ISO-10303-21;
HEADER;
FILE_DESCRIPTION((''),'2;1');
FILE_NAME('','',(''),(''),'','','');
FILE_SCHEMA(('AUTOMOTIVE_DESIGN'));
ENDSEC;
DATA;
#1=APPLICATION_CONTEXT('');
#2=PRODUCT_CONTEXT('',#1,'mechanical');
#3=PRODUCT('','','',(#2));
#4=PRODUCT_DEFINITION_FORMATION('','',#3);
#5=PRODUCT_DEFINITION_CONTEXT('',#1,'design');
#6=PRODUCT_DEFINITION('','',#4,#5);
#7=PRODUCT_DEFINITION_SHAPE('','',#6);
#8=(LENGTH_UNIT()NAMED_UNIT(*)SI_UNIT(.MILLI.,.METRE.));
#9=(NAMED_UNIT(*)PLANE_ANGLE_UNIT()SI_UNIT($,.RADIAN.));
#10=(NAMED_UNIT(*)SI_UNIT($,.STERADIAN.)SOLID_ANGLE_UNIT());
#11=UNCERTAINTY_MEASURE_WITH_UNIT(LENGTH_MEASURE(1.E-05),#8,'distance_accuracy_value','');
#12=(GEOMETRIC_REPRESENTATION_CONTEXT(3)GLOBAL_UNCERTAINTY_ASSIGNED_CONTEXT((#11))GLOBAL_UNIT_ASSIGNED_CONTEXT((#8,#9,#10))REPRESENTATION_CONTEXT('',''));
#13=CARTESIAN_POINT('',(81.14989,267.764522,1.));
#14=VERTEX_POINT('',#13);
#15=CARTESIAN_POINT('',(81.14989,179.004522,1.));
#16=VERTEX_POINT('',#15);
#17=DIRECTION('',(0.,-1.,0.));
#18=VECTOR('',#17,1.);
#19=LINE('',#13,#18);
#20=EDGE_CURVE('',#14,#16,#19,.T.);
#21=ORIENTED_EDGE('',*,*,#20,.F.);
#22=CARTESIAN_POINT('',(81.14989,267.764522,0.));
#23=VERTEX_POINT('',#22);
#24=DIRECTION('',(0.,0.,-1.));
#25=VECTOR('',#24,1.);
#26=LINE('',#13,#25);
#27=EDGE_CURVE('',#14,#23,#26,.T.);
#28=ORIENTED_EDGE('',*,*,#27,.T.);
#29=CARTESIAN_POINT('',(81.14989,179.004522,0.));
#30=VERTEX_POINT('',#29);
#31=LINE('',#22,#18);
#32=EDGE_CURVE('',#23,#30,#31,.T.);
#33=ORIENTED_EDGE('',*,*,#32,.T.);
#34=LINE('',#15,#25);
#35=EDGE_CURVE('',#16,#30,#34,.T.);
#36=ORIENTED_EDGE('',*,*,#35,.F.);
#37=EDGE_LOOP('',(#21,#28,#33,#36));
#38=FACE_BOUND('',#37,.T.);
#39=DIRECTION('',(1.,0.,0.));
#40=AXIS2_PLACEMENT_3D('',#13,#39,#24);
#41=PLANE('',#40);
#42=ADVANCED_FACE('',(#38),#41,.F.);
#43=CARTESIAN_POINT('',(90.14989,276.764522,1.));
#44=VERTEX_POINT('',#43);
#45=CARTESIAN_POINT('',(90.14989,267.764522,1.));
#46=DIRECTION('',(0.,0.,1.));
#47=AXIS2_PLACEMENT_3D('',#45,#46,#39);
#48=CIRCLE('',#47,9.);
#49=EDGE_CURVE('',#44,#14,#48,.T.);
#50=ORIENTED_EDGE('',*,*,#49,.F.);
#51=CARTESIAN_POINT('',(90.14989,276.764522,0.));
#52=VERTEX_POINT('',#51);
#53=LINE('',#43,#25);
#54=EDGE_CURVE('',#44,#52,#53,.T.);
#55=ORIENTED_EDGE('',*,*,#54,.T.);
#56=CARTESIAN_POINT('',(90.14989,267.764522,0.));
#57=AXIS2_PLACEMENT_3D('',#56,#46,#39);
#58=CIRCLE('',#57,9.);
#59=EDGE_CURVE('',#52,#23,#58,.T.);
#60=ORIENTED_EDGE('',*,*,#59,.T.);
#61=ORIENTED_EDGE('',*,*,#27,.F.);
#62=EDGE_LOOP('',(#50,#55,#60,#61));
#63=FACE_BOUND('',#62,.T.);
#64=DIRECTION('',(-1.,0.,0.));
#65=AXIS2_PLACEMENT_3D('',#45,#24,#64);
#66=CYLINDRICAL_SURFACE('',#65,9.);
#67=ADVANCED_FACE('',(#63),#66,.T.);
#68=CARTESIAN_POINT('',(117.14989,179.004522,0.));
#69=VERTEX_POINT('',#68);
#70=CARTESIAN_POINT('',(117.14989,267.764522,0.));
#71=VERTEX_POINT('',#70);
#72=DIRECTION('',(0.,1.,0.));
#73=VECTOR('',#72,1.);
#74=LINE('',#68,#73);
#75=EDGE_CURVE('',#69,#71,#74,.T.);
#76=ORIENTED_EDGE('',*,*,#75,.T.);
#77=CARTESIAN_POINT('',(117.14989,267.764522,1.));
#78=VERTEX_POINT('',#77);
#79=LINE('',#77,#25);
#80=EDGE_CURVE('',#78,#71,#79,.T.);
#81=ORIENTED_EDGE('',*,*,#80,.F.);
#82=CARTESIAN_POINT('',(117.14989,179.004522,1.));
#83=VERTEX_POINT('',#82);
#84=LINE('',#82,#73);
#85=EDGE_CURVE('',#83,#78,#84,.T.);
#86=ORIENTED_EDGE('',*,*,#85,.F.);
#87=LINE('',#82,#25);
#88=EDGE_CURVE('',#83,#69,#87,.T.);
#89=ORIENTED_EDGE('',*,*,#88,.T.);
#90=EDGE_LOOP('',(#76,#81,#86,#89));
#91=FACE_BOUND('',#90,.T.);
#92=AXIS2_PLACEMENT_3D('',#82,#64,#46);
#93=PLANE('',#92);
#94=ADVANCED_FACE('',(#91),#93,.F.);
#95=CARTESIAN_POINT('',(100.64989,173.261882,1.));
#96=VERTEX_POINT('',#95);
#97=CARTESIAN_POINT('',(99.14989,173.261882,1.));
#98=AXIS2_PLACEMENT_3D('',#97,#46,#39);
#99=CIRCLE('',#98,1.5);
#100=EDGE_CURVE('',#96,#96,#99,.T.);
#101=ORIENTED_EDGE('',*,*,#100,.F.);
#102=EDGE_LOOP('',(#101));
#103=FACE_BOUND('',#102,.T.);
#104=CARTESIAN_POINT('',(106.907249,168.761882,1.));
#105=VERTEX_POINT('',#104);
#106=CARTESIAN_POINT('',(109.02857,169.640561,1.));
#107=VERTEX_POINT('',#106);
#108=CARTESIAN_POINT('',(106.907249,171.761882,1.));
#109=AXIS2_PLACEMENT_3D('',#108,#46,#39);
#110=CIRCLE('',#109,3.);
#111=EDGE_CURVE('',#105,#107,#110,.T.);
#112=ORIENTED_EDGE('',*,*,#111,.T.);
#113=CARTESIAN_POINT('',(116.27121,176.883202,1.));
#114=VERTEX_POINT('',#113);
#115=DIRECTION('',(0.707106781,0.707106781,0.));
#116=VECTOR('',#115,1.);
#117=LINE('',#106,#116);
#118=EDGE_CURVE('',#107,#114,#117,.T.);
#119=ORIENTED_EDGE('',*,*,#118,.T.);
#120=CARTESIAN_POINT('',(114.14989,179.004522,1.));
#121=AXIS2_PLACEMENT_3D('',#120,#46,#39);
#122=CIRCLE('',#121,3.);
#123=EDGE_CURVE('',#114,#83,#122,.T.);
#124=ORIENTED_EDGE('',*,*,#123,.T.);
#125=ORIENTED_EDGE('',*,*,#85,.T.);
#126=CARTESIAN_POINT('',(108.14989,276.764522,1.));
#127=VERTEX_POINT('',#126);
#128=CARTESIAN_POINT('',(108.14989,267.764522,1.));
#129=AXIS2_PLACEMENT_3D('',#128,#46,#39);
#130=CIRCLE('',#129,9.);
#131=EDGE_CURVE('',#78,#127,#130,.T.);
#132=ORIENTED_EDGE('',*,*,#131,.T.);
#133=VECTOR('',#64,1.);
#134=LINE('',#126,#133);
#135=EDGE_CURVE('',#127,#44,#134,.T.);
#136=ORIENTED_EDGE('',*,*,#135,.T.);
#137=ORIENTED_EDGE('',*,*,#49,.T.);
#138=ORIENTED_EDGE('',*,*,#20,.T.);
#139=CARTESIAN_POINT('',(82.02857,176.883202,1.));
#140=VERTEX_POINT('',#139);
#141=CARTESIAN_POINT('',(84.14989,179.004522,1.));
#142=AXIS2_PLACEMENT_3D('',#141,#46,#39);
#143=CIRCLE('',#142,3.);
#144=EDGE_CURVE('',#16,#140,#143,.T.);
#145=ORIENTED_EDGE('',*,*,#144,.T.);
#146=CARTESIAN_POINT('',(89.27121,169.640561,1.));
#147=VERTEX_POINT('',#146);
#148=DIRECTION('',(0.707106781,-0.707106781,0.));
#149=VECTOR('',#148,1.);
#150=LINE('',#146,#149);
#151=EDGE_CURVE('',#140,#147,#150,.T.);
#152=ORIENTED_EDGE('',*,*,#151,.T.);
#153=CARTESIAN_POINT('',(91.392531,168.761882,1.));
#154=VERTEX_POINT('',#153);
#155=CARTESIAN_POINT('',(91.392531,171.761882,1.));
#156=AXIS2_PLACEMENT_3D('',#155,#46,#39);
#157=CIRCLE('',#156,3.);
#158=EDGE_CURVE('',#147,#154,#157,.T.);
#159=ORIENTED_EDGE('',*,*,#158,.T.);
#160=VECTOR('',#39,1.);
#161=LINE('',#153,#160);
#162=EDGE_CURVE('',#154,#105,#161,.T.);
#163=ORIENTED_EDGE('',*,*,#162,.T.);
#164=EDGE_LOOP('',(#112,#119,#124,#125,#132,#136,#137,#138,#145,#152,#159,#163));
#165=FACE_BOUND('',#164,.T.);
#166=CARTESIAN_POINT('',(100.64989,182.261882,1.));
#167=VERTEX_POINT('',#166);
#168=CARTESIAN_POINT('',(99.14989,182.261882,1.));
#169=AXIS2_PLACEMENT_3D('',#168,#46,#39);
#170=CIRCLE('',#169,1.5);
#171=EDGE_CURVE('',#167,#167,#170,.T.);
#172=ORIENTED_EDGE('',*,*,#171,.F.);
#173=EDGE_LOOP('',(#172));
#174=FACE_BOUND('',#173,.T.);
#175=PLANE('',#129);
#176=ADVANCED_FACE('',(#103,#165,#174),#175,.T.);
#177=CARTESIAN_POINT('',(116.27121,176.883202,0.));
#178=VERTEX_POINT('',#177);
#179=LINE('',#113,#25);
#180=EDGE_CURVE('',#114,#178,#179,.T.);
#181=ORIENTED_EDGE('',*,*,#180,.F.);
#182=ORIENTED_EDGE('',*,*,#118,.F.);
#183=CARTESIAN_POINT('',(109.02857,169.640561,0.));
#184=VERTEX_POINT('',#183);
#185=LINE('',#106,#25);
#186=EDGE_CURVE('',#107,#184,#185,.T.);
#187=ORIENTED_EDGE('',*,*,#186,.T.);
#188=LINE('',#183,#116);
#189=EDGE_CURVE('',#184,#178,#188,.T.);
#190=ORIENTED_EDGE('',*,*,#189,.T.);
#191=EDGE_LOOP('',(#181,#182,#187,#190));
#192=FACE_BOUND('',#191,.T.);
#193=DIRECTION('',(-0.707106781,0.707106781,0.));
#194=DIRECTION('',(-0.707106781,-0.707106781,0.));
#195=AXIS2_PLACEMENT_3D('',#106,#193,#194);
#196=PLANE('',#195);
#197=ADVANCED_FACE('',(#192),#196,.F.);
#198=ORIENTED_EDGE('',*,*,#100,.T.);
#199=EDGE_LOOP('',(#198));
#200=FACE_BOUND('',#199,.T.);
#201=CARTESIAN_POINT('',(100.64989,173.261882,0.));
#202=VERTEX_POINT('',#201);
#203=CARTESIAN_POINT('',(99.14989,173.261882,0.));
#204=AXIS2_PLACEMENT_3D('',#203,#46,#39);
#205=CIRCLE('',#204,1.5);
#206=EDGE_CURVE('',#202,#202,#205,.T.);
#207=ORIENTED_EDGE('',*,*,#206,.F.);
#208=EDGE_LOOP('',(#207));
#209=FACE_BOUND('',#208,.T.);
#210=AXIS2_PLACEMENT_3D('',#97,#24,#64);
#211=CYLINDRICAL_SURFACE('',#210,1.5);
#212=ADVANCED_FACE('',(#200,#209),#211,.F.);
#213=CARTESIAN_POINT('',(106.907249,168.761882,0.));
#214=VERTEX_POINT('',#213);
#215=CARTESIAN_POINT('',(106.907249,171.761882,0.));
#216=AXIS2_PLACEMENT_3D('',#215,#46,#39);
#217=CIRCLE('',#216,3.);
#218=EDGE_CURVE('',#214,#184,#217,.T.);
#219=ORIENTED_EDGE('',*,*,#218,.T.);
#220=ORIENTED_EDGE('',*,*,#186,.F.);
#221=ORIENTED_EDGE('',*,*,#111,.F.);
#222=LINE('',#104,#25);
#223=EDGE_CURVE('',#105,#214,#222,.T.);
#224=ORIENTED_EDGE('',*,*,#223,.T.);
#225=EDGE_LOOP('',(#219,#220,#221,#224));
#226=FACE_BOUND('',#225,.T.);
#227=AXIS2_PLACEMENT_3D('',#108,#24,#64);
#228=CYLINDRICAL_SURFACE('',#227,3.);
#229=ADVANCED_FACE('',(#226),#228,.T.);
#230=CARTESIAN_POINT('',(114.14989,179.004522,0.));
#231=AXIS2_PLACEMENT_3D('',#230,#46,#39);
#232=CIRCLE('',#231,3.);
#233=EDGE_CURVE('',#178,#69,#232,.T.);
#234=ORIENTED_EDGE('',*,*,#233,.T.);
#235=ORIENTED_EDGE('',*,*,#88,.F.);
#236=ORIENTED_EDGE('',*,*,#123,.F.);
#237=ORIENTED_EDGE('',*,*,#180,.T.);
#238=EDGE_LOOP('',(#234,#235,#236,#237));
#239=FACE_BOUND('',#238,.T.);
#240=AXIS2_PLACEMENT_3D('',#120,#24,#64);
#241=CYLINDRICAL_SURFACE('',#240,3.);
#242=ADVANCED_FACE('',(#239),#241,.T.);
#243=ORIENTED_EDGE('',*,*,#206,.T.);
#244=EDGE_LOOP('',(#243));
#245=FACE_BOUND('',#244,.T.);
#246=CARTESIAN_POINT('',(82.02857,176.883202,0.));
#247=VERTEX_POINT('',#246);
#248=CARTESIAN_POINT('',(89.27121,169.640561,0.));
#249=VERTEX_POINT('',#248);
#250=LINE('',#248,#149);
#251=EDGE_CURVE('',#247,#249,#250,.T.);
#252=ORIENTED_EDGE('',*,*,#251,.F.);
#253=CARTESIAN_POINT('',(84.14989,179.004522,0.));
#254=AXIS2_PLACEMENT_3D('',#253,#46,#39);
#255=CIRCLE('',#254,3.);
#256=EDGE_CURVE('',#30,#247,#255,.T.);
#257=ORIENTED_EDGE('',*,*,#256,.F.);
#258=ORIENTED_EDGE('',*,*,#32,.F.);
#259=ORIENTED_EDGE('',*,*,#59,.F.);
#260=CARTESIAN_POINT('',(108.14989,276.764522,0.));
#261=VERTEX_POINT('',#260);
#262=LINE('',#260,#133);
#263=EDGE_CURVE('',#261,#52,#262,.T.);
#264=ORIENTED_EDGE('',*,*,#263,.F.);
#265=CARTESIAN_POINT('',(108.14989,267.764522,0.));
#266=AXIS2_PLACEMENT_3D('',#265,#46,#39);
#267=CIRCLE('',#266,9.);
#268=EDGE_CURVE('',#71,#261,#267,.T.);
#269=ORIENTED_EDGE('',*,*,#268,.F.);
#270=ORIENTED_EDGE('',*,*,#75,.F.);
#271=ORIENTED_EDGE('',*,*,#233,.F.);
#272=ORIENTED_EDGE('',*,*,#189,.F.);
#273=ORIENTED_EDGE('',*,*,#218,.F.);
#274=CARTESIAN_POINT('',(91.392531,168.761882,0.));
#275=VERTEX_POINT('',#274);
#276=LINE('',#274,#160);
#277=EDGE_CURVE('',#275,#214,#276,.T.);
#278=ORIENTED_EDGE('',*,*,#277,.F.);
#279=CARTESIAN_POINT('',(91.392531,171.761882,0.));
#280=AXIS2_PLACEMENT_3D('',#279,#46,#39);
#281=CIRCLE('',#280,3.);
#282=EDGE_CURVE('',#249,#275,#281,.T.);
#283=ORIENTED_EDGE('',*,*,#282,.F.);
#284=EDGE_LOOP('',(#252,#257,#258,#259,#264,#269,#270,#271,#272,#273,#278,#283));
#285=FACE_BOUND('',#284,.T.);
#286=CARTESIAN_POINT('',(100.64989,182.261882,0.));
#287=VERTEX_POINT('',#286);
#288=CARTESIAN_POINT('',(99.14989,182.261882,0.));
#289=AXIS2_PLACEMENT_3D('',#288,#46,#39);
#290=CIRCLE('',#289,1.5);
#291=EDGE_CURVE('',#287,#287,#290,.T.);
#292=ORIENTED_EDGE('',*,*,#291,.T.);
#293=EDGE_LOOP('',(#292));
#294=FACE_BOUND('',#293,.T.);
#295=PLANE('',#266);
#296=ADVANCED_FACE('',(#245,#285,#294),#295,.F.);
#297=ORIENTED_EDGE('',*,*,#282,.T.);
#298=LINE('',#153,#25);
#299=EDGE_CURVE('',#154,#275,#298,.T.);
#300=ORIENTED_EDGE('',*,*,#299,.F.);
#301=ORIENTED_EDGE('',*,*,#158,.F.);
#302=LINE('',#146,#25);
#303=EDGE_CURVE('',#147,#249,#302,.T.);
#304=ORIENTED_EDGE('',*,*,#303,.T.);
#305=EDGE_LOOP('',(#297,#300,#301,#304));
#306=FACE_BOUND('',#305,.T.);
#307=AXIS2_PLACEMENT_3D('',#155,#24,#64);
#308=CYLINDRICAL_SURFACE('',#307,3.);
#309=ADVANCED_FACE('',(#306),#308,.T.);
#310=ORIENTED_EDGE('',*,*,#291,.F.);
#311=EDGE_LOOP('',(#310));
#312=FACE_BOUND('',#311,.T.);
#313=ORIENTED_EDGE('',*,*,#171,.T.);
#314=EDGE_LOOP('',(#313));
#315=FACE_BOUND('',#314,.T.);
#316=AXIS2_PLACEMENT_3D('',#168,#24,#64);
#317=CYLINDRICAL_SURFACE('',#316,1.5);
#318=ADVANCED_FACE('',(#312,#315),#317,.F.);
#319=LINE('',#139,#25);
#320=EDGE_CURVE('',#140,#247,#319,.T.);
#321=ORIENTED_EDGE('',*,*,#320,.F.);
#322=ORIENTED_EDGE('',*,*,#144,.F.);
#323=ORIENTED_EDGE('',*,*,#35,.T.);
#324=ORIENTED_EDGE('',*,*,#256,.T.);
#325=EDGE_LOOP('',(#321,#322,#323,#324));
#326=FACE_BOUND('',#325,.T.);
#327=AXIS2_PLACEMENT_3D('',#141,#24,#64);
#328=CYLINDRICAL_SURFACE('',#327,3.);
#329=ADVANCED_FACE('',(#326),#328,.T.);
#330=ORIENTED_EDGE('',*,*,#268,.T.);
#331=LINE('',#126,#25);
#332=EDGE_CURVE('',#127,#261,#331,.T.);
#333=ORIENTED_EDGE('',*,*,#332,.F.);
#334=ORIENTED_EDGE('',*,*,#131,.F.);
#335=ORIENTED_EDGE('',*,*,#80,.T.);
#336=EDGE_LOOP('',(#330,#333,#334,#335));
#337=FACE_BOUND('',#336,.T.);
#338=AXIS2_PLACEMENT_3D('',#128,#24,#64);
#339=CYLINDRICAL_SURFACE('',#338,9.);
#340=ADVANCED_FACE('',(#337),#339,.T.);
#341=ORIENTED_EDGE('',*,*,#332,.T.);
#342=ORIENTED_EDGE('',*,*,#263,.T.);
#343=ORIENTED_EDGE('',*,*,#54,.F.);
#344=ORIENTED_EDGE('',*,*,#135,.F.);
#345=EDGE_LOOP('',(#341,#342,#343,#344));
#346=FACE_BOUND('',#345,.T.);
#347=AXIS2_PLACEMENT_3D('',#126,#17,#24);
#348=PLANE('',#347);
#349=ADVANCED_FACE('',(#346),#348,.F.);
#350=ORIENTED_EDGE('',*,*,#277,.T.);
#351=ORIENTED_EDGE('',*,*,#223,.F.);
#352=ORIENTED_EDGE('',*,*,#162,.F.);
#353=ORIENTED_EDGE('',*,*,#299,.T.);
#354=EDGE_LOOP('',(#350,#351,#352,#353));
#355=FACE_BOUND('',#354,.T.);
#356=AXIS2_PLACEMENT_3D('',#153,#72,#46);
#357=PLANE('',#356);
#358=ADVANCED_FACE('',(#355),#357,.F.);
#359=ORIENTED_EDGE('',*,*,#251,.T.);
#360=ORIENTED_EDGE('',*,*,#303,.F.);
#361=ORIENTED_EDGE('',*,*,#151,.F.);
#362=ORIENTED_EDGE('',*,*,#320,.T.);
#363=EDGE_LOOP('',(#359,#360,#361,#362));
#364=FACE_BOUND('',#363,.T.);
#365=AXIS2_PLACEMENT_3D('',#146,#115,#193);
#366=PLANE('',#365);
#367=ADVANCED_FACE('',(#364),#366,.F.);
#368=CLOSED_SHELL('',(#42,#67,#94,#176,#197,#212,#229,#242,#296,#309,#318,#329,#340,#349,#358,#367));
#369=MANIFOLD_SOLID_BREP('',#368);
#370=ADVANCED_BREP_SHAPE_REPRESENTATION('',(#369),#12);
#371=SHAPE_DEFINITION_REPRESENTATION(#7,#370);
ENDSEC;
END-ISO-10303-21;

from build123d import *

# Parameters (mm, degrees)
MODEL_R                 = 1.5
SALIENTE_EXTRUIR1_DEPTH = 1


with BuildPart() as part:
    # Model → Saliente-Extruir1 (new body)
    with BuildSketch(Plane.XY):
        with BuildLine():
            Line((91.392530772, 168.7618816), (106.907249398, 168.7618816))
            ThreePointArc((106.907249398, 168.7618816), (108.055299695, 168.990243002), (109.028569741, 169.640561256))
            Line((109.028569741, 169.640561256), (116.271210428, 176.883201943))
            ThreePointArc((116.271210428, 176.883201943), (116.921528682, 177.85647199), (117.149890085, 179.004522287))
            Line((117.149890085, 179.004522287), (117.149890085, 267.764522287))
            ThreePointArc((117.149890085, 267.764522287), (114.513851116, 274.128483317), (108.149890085, 276.764522287))
            Line((108.149890085, 276.764522287), (90.149890085, 276.764522287))
            ThreePointArc((90.149890085, 276.764522287), (83.785929054, 274.128483317), (81.149890085, 267.764522287))
            Line((81.149890085, 267.764522287), (81.149890085, 179.004522287))
            ThreePointArc((81.149890085, 179.004522287), (81.378251487, 177.85647199), (82.028569741, 176.883201943))
            Line((82.028569741, 176.883201943), (89.271210428, 169.640561256))
            ThreePointArc((89.271210428, 169.640561256), (90.244480475, 168.990243002), (91.392530772, 168.7618816))
        make_face()
        with Locations((99.149890085, 173.2618816)):
            Circle(MODEL_R, mode=Mode.SUBTRACT)
        with Locations((99.149890085, 182.2618816)):
            Circle(MODEL_R, mode=Mode.SUBTRACT)
    extrude(amount=SALIENTE_EXTRUIR1_DEPTH)


solid = part.part
